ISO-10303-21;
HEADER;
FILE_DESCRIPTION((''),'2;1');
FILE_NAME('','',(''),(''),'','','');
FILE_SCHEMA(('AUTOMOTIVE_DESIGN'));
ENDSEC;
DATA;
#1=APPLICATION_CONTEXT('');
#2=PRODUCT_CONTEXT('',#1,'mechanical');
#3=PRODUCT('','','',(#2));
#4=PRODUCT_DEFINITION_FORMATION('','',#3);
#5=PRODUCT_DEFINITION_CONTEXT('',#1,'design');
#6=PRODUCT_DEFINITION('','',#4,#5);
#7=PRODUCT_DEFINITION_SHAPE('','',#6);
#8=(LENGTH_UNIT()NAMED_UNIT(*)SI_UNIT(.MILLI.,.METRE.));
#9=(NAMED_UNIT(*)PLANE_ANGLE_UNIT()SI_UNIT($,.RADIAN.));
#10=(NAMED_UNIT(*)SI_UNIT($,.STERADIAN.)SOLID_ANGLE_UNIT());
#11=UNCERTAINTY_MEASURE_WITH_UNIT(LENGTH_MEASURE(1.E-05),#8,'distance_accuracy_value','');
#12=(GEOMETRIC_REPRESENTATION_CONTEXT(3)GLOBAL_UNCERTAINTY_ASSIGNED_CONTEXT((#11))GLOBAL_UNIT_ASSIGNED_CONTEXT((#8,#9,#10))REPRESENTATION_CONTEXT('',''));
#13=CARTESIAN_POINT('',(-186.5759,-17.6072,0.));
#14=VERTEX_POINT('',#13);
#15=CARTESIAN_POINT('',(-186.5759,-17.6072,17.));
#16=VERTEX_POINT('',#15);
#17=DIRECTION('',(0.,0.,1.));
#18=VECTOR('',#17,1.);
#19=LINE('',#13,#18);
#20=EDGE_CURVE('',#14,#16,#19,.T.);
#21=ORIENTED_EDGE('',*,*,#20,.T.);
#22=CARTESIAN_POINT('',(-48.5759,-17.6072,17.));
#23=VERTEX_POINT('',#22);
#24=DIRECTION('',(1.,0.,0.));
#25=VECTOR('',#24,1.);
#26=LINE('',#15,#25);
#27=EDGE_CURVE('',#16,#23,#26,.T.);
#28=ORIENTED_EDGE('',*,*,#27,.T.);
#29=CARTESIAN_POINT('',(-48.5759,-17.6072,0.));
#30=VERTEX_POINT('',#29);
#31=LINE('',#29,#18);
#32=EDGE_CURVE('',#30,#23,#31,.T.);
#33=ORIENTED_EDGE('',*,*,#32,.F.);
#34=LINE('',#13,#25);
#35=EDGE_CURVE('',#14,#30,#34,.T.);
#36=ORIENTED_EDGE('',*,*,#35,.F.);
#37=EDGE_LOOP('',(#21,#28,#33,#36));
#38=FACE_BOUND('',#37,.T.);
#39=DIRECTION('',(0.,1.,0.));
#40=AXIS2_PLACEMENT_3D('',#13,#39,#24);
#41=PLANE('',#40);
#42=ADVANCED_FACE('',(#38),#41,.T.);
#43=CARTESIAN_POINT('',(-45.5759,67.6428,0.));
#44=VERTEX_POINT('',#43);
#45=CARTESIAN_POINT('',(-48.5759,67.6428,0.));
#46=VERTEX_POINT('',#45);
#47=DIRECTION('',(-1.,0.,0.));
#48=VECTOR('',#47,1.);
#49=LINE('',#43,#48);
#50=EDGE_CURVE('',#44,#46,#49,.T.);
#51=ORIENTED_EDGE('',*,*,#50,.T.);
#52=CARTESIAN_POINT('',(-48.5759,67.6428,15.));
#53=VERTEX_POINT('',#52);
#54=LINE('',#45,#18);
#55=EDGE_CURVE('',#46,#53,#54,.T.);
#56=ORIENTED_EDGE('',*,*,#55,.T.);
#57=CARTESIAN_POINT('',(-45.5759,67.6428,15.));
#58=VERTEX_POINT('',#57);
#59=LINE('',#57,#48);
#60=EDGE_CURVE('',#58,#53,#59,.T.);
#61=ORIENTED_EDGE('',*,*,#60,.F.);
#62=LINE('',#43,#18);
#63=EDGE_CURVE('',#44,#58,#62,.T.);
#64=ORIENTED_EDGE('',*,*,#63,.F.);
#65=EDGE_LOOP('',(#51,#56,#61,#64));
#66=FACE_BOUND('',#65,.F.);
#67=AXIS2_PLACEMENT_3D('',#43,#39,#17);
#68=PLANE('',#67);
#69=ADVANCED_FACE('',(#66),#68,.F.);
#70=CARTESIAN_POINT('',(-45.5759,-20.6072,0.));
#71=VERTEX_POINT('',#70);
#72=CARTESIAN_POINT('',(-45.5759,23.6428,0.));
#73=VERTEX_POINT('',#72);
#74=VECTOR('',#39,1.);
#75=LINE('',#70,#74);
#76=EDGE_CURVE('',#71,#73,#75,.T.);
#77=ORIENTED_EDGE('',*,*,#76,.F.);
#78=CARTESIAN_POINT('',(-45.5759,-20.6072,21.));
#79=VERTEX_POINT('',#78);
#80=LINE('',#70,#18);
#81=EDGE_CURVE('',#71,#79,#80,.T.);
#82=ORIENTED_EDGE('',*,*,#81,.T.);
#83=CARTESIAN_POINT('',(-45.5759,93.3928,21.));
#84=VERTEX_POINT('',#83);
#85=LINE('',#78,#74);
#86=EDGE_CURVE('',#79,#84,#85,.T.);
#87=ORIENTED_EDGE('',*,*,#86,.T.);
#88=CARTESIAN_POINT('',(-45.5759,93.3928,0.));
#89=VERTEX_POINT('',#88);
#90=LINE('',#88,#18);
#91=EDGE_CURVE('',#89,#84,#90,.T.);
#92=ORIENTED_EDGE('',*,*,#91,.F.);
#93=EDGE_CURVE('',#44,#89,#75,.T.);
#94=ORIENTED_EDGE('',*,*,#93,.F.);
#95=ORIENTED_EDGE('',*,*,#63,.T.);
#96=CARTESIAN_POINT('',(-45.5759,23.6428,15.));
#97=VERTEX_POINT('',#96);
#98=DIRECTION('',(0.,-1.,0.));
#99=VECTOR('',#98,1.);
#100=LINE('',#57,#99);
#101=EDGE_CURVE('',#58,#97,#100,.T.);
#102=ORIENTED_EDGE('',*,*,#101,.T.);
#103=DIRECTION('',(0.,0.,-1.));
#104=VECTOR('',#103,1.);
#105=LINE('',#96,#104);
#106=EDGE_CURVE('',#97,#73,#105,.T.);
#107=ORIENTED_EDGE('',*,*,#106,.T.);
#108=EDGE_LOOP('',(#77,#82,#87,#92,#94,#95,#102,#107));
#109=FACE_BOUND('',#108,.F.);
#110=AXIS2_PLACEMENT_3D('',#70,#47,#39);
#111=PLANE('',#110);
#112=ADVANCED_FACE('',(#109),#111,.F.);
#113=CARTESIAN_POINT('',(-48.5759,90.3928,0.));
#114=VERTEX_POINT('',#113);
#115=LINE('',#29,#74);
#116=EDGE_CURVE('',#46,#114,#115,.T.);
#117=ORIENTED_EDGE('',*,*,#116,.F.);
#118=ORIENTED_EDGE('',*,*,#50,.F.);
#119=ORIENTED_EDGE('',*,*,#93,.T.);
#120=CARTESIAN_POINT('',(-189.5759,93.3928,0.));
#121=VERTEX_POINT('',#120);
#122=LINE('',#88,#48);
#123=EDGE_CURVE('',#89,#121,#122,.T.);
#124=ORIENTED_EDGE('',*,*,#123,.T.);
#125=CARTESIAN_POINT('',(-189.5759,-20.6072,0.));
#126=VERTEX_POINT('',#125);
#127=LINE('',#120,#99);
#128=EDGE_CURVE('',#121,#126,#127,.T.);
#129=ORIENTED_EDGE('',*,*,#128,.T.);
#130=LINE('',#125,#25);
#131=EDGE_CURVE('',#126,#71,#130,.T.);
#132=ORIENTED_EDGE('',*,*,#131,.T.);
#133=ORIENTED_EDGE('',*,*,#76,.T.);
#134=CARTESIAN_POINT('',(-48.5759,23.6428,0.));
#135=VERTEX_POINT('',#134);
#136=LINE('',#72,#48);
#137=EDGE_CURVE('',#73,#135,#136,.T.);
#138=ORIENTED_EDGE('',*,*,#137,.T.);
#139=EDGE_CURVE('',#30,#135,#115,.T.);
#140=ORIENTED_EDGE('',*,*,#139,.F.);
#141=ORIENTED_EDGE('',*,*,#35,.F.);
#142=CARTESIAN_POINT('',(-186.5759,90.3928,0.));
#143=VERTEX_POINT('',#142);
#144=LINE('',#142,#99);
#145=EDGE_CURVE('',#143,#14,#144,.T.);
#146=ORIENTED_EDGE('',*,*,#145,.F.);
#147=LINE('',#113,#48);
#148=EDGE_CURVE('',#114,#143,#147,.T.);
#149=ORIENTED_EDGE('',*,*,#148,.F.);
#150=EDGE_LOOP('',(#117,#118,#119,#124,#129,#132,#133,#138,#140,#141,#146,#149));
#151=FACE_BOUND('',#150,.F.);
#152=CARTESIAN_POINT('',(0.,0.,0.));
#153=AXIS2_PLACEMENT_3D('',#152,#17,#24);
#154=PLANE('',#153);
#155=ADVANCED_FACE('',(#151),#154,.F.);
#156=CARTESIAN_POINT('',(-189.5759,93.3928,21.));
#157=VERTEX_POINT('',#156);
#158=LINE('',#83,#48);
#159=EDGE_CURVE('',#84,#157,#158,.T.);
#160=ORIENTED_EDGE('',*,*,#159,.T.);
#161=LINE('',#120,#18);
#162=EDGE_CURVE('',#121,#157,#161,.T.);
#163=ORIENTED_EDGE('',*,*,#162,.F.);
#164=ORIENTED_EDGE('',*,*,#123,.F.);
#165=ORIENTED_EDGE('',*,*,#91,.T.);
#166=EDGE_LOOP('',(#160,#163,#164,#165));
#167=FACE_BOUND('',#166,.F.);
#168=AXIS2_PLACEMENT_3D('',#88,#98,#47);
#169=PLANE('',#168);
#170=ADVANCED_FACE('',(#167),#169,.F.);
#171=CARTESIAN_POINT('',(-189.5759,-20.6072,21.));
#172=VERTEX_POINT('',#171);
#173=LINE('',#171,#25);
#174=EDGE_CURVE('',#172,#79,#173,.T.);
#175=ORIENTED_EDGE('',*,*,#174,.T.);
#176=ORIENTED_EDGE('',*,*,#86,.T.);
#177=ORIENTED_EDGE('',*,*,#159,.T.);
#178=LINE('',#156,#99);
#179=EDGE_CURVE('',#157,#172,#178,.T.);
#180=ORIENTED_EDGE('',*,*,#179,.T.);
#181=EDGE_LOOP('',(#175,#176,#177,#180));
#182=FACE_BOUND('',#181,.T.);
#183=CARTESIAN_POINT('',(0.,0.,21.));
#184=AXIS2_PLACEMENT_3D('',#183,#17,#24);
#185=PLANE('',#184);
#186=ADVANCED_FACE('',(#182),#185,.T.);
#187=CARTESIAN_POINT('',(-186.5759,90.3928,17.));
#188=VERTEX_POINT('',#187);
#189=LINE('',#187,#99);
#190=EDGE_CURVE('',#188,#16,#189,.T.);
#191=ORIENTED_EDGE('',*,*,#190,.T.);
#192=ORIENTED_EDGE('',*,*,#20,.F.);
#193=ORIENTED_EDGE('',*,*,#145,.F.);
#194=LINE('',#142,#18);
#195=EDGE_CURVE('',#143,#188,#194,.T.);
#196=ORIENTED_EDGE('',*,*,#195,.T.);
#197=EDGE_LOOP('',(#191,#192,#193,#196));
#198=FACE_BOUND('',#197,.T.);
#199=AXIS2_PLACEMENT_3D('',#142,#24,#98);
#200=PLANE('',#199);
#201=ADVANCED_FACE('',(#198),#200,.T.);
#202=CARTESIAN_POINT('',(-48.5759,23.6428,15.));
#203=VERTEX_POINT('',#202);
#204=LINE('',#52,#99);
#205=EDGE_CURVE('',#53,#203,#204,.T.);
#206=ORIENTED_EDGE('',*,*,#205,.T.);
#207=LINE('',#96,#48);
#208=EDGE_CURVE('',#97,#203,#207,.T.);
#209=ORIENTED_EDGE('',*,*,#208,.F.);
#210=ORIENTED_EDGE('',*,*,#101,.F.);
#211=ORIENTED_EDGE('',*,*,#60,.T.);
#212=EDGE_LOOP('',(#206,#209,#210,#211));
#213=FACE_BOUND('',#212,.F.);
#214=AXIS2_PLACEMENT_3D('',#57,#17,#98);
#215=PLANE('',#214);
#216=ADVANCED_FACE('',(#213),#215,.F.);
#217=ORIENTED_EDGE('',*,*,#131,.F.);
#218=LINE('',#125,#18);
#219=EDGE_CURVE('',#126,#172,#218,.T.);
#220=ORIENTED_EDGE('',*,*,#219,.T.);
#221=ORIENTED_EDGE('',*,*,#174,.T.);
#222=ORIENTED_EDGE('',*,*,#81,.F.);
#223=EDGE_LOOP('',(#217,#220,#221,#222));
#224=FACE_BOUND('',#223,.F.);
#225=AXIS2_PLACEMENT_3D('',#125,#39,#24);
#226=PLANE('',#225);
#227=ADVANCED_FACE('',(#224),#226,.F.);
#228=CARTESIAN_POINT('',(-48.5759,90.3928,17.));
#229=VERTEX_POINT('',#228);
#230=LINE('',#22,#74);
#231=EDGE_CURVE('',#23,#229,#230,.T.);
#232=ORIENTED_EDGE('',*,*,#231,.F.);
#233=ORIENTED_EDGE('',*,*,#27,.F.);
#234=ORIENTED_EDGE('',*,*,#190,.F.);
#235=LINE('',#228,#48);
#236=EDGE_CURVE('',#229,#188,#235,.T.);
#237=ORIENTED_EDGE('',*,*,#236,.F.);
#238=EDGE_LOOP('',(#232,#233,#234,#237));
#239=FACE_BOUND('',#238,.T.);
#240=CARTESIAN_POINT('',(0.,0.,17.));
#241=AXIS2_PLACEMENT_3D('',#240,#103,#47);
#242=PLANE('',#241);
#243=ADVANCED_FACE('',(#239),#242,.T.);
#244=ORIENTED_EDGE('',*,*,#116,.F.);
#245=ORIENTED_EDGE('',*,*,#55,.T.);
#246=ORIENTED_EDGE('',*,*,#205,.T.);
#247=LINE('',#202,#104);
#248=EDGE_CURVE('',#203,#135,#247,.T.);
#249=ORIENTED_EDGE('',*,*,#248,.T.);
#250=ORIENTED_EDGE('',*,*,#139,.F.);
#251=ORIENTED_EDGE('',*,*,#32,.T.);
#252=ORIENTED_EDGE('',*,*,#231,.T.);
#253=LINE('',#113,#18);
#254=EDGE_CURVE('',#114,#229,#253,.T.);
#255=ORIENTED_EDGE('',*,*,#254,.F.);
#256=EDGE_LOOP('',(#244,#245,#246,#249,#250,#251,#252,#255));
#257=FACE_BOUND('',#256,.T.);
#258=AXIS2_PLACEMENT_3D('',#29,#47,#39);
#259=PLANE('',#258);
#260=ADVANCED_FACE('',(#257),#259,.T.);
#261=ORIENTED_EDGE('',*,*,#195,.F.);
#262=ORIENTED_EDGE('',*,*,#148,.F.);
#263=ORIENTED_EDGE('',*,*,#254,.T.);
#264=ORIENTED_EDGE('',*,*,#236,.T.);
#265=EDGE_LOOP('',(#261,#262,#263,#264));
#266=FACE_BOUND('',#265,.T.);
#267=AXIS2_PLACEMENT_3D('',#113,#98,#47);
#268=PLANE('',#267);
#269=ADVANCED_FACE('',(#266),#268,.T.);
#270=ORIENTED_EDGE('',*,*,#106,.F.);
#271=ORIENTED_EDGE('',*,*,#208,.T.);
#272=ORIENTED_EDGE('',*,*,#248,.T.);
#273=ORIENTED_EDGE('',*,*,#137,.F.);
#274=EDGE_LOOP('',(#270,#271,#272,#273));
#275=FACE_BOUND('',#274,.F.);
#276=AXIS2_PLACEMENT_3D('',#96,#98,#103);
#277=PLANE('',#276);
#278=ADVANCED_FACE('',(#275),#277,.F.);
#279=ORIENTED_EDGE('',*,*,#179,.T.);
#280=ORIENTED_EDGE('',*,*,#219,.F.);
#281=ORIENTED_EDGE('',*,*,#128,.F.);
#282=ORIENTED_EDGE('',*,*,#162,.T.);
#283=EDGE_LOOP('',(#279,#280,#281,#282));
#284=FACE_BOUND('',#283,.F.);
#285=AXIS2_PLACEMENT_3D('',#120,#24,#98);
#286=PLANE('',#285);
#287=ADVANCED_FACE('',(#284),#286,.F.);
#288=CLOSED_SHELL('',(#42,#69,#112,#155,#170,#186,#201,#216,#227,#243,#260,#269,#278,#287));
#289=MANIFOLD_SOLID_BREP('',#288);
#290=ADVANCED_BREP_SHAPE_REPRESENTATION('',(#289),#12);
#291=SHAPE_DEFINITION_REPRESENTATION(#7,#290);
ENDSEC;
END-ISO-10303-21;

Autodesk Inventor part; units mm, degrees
ref_plane "YZ Plane" through (0, 0, 0) normal (1, 0, 0) x (0, 1, 0)
ref_plane "XZ Plane" through (0, 0, 0) normal (0, 1, 0) x (-1, 0, 0)
sketch "Esquisse1" plane through (0, 0, 0) normal (0, 0, 1) x (1, 0, 0)
  line L0 (-45.5759, 93.3928) -> (-189.5759, 93.3928) projected
  line L1 (-189.5759, 93.3928) -> (-189.5759, -20.6072) projected
  line L2 (-45.5759, -20.6072) -> (-45.5759, 93.3928) projected
  line L3 (-189.5759, -20.6072) -> (-45.5759, -20.6072) projected
  line L4 (-189.5759, 93.3928) -> (-45.5759, 93.3928)
  line L5 (-45.5759, 93.3928) -> (-45.5759, -20.6072)
  line L6 (-45.5759, -20.6072) -> (-189.5759, -20.6072)
  line L7 (-189.5759, -20.6072) -> (-189.5759, 93.3928)
  point P0 (0, 0)
  dimension "d20" = 114
  dimension "d21" = 144
extrude "Extrusion1" add sketch "Esquisse1" along normal blind 21
sketch "Esquisse2" plane through (0, 0, 0) normal (0, 0, -1) x (-1, 0, 0)
  line L0 (186.5759, -17.6072) -> (48.5759, -17.6072)
  line L1 (48.5759, -17.6072) -> (48.5759, 90.3928)
  line L2 (48.5759, 90.3928) -> (186.5759, 90.3928)
  line L3 (186.5759, 90.3928) -> (186.5759, -17.6072)
  line L4 (189.5759, -20.6072) -> (45.5759, -20.6072) projected
  line L5 (45.5759, 93.3928) -> (189.5759, 93.3928) projected
  line L6 (189.5759, 93.3928) -> (189.5759, -20.6072) projected
  line L7 (45.5759, -20.6072) -> (45.5759, 93.3928) projected
  point P0 (0, 0)
  dimension "d2" = 3
  dimension "d4" = 3
  dimension "d5" = 3
  dimension "d6" = 3
extrude "Extrusion3" cut sketch "Esquisse2" against normal blind 17 contours L0 L1 L2 L3
ref_plane "Plan de construction1" through (-50.5759, 25.8928, -3.5) normal (-1, 0, 0) x (0, 0, 1)
sketch "Esquisse5" plane through (-45.5759, -20.6072, 21) normal (1, 0, 0) x (0, 0, -1)
  line L0 (21, 88.25) -> (6, 88.25)
  line L1 (6, 88.25) -> (6, 44.25)
  line L2 (6, 44.25) -> (21, 44.25)
  line L3 (21, 44.25) -> (21, 88.25)
  line L4 (21, 0) -> (21, 114) projected
  line L5 (21, 0) -> (0, 0) projected
  point P0 (21, 20.6072)
  point P1 (21, 47.25)
  point P2 (13.5, 44.25)
  dimension "d23" = 15
  dimension "d24" = 44.25
  dimension "d25" = 44
extrude "Extrusion5" cut sketch "Esquisse5" against normal up to surface (3 mm away)
equation "\"d4\" = d2"
equation "\"d5\" = d2"
equation "\"d6\" = d4"
properties part number "couvercle"
